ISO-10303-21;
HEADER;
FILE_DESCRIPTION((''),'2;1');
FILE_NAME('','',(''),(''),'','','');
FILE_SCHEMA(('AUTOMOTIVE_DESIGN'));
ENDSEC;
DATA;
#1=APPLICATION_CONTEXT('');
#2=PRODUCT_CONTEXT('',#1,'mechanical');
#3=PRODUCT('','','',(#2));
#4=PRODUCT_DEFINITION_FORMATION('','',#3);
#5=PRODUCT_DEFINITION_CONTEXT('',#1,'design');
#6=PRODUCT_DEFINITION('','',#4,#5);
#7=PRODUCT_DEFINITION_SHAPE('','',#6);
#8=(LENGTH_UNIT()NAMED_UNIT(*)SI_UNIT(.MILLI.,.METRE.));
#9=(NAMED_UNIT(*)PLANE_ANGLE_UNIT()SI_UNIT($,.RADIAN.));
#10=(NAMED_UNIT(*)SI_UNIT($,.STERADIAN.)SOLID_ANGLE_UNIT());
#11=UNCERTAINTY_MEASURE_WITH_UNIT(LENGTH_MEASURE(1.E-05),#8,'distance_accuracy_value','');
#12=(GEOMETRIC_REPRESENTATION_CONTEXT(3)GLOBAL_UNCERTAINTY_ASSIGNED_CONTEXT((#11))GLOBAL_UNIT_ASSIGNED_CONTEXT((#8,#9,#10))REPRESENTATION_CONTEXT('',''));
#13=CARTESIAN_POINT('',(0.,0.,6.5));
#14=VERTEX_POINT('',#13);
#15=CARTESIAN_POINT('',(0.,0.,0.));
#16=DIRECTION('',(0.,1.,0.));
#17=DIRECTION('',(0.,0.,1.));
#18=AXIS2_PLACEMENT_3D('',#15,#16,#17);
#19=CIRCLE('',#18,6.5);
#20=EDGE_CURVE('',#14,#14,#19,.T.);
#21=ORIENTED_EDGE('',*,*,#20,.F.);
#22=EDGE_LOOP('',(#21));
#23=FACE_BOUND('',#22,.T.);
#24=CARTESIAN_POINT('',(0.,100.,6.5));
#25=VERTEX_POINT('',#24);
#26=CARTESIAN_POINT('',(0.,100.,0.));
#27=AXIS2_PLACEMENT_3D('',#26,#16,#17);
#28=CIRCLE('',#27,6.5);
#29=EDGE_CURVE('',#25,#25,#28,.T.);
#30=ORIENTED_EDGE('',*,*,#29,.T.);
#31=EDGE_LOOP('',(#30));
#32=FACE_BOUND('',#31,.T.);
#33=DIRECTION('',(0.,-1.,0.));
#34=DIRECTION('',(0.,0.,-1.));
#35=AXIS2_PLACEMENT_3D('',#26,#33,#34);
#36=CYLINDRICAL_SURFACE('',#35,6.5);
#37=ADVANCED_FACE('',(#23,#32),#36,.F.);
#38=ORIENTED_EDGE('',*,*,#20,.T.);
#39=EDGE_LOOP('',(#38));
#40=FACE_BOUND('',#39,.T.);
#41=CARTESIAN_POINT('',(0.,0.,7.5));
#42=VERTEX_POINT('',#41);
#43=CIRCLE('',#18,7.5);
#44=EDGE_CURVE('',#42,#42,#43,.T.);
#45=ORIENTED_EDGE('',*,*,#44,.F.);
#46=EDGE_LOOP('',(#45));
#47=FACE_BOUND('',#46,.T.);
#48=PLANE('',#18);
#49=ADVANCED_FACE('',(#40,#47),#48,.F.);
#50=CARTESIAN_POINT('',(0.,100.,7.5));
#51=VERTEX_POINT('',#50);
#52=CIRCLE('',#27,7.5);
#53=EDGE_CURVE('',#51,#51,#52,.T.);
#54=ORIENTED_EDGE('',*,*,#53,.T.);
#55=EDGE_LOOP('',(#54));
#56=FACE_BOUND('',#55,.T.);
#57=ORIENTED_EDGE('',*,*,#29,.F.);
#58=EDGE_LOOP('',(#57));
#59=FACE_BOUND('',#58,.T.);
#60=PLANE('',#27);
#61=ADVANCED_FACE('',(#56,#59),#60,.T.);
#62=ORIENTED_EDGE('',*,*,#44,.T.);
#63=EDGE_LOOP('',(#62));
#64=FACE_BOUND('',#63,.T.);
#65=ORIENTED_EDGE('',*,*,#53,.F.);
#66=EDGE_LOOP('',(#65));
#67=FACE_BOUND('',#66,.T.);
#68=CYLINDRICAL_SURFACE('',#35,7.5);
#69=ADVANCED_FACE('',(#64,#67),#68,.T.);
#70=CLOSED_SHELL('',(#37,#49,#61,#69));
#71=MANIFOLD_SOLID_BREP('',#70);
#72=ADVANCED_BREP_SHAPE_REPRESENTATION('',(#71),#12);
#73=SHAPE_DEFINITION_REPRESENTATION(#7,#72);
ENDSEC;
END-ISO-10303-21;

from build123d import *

# Parameters (mm, degrees)
SKETCH_1_R      = 7.5
SKETCH_1_R_2    = 6.5
EXTRUDE_1_DEPTH = 100


with BuildPart() as part:
    # Эскиз1 → Бобышка-Вытянуть1 (new body)
    with BuildSketch(Plane(origin=(0, 0, 0), x_dir=(1, 0, 0), z_dir=(0, 1, 0))):
        Circle(SKETCH_1_R)
        Circle(SKETCH_1_R_2, mode=Mode.SUBTRACT)
    extrude(amount=EXTRUDE_1_DEPTH)


solid = part.part
